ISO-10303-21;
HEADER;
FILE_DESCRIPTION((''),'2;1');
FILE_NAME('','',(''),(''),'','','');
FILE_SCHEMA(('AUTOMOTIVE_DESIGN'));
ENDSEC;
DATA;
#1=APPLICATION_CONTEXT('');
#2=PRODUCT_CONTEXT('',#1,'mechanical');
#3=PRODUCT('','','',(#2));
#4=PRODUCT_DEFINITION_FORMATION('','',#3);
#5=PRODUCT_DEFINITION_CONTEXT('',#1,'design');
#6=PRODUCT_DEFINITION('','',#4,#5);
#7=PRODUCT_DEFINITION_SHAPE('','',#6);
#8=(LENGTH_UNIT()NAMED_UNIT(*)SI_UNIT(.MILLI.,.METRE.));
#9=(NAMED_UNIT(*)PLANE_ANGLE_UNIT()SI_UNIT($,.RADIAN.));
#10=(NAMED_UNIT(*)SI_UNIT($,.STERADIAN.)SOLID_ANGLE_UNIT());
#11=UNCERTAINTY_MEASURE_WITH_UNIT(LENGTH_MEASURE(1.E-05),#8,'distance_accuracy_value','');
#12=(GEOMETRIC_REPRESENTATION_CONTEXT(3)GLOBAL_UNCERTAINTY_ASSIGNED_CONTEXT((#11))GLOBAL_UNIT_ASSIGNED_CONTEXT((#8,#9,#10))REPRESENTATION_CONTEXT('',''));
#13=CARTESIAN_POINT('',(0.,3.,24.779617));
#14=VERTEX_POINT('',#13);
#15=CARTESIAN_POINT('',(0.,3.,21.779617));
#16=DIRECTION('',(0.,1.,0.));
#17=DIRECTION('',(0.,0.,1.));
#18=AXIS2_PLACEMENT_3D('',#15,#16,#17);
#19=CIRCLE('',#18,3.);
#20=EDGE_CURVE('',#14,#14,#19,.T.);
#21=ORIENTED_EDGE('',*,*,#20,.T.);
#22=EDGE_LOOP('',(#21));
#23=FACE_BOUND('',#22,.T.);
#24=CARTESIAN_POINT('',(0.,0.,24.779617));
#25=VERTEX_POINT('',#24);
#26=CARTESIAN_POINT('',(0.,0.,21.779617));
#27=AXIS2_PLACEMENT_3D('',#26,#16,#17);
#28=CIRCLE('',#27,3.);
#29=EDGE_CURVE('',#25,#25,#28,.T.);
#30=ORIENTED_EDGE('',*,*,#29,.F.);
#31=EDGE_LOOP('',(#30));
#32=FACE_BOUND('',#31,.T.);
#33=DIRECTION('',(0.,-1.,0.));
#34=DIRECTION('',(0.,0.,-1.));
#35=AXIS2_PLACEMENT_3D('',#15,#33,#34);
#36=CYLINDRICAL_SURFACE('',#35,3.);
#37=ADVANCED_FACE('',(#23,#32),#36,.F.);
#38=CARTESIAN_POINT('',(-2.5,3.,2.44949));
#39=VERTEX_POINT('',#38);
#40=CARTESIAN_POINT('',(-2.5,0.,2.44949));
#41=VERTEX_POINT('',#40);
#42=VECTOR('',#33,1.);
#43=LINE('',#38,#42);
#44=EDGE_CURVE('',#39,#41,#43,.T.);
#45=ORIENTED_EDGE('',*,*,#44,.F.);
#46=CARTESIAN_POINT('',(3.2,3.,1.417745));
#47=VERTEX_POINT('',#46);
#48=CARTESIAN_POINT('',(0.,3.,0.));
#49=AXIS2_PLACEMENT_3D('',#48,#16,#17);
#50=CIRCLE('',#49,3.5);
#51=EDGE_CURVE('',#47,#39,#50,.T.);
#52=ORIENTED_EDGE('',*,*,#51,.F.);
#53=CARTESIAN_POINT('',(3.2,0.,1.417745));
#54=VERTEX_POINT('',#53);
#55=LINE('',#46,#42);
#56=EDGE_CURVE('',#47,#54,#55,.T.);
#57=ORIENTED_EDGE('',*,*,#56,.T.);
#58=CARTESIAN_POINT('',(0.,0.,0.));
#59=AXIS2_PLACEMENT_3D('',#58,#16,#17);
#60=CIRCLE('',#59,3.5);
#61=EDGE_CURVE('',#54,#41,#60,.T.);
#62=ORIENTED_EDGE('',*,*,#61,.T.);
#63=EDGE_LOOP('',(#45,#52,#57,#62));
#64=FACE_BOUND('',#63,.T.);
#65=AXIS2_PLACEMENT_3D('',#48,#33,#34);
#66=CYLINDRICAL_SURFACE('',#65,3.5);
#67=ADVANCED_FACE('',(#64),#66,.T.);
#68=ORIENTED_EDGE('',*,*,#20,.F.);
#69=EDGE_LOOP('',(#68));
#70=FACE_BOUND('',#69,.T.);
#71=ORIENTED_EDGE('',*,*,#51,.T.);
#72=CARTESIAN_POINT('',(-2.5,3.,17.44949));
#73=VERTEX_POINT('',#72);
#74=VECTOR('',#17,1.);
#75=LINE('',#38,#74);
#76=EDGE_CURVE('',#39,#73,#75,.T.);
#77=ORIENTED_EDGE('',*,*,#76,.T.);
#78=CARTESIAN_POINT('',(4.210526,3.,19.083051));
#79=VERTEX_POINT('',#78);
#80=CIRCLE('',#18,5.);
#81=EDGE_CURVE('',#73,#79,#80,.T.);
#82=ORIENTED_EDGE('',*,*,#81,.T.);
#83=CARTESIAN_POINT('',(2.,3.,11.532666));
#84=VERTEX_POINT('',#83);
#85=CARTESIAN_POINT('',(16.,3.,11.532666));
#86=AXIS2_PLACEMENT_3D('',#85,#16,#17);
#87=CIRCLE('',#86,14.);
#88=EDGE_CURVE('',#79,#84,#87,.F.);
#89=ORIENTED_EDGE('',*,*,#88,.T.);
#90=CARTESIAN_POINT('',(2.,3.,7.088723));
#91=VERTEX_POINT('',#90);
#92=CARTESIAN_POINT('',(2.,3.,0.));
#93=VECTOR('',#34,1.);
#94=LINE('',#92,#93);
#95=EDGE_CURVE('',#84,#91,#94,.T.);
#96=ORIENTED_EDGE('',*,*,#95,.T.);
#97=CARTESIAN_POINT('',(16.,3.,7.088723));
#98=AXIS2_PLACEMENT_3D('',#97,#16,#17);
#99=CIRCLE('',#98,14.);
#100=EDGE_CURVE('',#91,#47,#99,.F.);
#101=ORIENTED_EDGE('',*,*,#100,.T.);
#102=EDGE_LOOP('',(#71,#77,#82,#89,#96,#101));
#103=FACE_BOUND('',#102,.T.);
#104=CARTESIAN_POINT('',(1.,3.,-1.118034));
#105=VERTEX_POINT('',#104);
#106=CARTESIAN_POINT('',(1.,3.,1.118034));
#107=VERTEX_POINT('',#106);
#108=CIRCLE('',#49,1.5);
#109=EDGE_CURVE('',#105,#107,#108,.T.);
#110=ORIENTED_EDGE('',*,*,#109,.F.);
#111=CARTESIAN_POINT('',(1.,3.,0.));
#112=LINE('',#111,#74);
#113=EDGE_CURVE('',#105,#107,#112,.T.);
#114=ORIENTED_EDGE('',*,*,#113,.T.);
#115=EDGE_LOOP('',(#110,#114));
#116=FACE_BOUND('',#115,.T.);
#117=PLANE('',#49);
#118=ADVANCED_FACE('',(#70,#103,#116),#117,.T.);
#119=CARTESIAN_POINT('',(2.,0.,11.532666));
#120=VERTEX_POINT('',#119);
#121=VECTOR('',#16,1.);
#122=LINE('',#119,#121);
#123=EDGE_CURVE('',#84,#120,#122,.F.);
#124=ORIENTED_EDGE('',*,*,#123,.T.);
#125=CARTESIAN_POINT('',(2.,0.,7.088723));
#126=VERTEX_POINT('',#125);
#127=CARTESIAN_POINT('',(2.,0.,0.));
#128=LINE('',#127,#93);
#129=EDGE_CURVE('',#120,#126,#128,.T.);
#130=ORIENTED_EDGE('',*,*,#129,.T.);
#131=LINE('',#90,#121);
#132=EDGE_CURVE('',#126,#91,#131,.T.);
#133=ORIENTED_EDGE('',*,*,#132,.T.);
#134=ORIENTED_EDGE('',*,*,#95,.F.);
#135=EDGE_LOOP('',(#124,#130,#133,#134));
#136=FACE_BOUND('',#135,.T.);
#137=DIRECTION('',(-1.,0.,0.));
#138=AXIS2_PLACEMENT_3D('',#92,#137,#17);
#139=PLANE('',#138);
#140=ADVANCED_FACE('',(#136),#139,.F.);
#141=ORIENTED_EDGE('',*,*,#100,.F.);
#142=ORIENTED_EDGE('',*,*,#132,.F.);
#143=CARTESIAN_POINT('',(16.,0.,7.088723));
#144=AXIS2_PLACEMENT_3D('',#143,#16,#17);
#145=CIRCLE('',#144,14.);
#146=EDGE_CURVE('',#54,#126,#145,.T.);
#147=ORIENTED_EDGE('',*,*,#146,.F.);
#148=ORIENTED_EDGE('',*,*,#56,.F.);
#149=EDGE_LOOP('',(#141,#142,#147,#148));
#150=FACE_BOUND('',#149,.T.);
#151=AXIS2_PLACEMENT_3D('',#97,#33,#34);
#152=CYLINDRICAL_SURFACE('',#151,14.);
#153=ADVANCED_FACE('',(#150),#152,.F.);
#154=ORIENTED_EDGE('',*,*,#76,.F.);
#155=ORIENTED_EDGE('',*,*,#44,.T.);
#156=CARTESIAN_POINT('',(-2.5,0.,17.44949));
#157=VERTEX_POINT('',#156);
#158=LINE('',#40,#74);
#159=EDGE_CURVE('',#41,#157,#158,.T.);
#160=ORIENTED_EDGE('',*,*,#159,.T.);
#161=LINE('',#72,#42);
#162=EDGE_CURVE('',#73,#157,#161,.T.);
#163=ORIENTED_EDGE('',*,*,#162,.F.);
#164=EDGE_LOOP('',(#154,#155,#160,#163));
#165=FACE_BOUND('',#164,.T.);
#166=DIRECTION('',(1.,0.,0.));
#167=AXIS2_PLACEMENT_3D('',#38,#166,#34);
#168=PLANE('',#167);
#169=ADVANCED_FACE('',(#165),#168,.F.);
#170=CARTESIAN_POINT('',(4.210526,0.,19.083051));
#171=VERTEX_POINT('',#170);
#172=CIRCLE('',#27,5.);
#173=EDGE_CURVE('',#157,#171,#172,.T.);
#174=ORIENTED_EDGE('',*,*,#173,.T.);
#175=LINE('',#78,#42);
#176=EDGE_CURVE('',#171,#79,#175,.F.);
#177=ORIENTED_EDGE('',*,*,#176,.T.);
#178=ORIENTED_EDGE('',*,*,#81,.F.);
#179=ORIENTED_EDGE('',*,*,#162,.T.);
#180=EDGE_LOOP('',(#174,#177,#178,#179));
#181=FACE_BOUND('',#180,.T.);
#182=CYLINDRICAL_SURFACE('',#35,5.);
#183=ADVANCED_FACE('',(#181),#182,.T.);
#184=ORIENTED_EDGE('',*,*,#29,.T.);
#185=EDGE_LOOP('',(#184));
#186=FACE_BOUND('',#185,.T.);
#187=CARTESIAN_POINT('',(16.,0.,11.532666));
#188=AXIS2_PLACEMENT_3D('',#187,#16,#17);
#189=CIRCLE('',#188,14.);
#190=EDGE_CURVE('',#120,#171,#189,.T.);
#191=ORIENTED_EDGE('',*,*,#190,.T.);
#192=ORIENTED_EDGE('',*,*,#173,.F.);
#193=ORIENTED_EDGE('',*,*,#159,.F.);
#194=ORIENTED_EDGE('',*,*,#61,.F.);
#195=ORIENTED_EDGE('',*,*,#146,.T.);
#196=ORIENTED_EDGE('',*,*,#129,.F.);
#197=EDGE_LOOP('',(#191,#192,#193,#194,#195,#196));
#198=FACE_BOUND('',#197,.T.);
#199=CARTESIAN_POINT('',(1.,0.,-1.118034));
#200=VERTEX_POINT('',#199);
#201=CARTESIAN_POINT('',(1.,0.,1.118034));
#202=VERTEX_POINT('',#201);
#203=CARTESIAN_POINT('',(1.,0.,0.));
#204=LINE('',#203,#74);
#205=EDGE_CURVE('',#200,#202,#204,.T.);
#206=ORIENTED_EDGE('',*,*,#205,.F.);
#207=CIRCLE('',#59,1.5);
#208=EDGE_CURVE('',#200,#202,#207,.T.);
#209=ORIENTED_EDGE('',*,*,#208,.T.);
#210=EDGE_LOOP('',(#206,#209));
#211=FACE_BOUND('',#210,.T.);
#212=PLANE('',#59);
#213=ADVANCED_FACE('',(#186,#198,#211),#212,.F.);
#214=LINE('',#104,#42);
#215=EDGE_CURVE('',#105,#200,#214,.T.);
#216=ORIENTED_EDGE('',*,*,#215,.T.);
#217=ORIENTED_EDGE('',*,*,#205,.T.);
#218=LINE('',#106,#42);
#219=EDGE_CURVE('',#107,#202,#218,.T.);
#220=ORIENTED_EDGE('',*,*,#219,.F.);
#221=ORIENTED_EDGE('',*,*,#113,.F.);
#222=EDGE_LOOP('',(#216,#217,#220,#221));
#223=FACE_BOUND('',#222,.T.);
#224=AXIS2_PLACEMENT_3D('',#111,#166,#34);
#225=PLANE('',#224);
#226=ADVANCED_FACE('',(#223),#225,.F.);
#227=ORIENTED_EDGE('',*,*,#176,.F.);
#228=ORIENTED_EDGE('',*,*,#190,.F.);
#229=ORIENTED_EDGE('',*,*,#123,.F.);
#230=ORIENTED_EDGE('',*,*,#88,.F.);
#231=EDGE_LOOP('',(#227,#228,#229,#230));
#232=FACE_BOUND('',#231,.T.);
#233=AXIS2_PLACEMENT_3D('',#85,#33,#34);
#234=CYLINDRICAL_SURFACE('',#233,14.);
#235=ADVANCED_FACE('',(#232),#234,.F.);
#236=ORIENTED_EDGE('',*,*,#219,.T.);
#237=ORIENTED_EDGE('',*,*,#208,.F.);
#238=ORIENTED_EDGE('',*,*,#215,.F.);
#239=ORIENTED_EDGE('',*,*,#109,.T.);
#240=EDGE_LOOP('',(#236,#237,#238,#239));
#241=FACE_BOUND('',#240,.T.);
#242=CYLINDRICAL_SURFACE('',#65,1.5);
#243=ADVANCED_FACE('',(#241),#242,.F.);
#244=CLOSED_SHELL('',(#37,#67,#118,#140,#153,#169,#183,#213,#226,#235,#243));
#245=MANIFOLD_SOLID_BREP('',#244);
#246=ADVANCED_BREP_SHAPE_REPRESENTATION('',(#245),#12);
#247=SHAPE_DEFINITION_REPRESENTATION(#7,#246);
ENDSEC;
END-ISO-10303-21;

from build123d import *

# Parameters (mm, degrees)
SKETCH_2_R          = 3
EXTRUDE_1_DEPTH     = 3
CUT_EXTRUDE_1_DEPTH = 28.407077077
FILLET_1_R          = 14


with BuildPart() as part:
    # 草图2 → 凸台-拉伸1 (new body)
    with BuildSketch(Plane(origin=(0, 0, 0), x_dir=(1, 0, 0), z_dir=(0, 1, 0))):
        with BuildLine():
            ThreePointArc((2.5, -2.449489743), (0, 3.5), (-2.5, -2.449489743))
            Line((-2.5, -2.449489743), (-2.5, -17.449489743))
            ThreePointArc((-2.5, -17.449489743), (0, -26.779616762), (2.5, -17.449489743))
            Line((2.5, -17.449489743), (2.5, -2.449489743))
        make_face()
        with BuildLine():
            Line((1, 1.118033989), (1, -1.118033989))
            ThreePointArc((1, -1.118033989), (-1.5, 0), (1, 1.118033989))
        make_face(mode=Mode.SUBTRACT)
        with Locations(Location((0, -21.779616762, 0), (0, 0, 270))):
            Circle(SKETCH_2_R, mode=Mode.SUBTRACT)
    extrude(amount=EXTRUDE_1_DEPTH)

    # 草图3 → 切除-拉伸1 (cut, through all)
    with BuildSketch(Plane.XZ):
        with BuildLine():
            ThreePointArc((2.5, 17.449489743), (2.253537793, 17.31625845), (2, 17.197041067))
            Line((2, 17.197041067), (2, 2.872281323))
            ThreePointArc((2, 2.872281323), (2.259908888, 2.67260394), (2.5, 2.449489743))
            Line((2.5, 2.449489743), (2.5, 17.449489743))
        make_face()
    extrude(amount=-CUT_EXTRUDE_1_DEPTH, mode=Mode.SUBTRACT)

    # 圆角1
    fillet_1_edges = [part.edges().sort_by_distance(p)[0] for p in [
        (2, 1.5, 2.872281323),
        (2, 1.5, 17.197041067),
    ]]
    fillet(fillet_1_edges, radius=FILLET_1_R)


solid = part.part
